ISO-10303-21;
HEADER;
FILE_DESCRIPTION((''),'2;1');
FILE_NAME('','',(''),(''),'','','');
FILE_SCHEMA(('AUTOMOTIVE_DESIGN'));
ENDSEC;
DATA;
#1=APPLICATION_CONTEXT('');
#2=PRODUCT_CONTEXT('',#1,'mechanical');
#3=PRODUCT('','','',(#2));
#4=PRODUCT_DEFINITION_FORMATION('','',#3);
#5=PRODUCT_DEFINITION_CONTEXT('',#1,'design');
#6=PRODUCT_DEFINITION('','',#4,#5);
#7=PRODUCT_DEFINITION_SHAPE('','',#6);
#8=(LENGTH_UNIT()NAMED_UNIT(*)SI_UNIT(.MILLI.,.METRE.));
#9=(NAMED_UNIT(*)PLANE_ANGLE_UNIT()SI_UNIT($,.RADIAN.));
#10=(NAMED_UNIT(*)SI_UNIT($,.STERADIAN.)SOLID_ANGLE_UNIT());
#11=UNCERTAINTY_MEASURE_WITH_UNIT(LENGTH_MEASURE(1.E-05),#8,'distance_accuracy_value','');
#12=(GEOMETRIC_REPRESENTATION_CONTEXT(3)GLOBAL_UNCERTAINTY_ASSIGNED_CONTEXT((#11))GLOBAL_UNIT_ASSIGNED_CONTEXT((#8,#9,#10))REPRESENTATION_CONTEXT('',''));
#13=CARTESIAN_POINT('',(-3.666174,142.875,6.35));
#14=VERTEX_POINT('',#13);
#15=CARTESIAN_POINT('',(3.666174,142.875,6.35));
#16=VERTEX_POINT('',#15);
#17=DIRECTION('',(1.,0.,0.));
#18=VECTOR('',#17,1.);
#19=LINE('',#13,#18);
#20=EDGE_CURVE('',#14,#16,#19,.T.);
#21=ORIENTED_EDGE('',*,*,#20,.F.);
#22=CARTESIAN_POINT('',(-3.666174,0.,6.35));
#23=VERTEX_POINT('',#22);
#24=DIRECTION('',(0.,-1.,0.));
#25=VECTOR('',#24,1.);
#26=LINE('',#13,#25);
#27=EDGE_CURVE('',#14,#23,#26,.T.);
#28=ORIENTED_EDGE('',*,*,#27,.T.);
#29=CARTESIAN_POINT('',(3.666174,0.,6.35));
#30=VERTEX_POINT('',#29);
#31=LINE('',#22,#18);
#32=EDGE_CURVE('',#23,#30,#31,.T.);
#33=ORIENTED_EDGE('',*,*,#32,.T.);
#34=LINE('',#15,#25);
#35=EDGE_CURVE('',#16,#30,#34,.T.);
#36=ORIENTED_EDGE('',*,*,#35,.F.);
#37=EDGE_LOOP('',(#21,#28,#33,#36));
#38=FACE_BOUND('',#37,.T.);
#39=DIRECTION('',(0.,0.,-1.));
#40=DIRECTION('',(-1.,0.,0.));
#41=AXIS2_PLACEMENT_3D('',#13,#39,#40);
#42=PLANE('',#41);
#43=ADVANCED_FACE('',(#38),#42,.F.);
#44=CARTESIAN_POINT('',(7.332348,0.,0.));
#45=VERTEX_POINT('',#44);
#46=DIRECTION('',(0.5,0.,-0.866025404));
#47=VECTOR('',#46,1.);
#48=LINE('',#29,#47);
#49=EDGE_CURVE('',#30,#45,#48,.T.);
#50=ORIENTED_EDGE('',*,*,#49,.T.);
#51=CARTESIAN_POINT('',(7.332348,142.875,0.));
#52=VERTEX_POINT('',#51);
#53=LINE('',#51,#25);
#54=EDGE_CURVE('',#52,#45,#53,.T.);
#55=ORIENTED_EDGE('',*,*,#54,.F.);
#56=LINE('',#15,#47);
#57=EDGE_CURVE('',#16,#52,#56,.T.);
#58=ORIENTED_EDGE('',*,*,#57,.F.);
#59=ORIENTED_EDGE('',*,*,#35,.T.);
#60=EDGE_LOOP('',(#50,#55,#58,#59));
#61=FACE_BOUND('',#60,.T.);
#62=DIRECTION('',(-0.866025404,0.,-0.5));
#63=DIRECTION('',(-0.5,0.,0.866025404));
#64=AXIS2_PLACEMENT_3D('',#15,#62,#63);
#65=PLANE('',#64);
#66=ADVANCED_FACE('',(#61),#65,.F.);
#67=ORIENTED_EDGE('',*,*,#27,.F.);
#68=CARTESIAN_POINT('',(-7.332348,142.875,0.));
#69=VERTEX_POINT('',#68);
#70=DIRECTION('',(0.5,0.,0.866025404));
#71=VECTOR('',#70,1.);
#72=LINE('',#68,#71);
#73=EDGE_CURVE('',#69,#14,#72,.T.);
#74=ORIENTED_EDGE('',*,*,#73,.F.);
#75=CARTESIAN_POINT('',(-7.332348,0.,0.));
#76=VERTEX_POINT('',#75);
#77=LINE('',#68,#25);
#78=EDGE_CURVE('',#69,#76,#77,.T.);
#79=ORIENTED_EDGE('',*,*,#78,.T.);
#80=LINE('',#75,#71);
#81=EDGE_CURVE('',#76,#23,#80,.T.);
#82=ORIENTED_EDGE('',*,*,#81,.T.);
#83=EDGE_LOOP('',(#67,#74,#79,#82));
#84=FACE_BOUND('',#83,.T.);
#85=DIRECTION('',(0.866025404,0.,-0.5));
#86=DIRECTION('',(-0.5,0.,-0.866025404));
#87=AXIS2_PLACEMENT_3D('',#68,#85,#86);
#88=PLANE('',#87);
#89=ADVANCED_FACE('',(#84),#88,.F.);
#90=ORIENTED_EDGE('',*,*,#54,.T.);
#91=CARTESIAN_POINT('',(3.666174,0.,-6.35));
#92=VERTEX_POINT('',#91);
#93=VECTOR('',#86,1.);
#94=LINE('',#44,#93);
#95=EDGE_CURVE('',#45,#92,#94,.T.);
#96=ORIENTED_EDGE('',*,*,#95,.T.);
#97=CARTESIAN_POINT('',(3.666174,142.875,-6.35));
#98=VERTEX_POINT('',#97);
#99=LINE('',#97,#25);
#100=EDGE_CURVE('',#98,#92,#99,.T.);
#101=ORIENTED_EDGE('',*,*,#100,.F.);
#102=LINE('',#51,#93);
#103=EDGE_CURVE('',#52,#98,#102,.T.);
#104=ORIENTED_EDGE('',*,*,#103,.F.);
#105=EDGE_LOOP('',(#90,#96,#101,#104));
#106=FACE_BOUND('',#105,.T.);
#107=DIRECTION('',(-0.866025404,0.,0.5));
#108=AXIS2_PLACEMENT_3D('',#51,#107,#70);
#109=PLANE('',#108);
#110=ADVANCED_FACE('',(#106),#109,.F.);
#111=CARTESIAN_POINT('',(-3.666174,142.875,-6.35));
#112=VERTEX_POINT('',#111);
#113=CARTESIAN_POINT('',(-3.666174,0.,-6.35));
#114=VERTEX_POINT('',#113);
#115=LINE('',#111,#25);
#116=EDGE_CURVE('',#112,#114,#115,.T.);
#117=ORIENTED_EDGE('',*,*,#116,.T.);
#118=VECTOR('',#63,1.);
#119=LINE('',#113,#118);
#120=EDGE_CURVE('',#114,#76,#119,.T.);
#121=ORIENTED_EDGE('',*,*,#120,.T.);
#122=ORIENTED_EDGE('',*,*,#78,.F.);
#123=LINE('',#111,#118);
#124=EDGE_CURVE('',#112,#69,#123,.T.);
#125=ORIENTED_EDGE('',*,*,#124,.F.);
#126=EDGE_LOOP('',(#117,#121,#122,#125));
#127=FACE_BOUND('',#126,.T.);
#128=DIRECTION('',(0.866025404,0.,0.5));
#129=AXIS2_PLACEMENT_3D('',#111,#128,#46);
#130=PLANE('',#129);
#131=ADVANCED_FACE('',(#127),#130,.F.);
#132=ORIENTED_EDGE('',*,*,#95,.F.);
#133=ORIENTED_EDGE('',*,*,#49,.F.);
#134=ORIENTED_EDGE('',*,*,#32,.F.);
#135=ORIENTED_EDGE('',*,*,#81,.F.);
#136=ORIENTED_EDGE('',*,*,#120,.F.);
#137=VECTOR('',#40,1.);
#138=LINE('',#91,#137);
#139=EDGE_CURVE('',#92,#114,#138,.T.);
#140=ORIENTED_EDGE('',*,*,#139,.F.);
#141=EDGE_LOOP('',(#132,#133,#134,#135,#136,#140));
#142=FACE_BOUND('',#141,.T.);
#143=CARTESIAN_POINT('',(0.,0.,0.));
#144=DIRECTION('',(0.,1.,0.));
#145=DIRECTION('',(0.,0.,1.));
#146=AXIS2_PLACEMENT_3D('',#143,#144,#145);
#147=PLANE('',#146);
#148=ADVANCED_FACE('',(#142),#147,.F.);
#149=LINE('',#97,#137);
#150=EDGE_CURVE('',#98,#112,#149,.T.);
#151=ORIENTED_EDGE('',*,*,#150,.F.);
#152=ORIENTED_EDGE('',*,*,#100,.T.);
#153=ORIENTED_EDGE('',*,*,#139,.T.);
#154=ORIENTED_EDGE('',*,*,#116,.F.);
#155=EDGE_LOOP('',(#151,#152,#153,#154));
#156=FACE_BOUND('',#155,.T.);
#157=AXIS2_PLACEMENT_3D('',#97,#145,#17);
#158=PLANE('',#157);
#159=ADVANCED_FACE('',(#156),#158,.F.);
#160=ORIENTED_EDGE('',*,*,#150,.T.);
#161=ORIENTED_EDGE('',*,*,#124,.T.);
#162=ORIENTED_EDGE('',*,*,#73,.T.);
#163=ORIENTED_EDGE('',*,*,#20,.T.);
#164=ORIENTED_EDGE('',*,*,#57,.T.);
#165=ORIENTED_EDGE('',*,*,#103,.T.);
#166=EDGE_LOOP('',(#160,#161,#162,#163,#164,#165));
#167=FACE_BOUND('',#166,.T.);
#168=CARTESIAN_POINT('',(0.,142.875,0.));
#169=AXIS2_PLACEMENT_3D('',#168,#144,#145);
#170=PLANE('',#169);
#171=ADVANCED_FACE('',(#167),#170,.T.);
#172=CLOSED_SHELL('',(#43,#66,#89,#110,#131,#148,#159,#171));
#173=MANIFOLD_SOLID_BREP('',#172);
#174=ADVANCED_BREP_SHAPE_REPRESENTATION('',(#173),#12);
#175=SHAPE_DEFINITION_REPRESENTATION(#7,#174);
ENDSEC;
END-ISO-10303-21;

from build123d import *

# Parameters (mm, degrees)
BOSS_EXTRUDE1_DEPTH = 142.875


with BuildPart() as part:
    # Sketch1 → Boss-Extrude1 (new body)
    with BuildSketch(Plane(origin=(0, 0, 0), x_dir=(1, 0, 0), z_dir=(0, 1, 0))):
        Polygon((7.332348419, 0), (3.666174209, 6.35), (-3.666174209, 6.35), (-7.332348419, 0), (-3.666174209, -6.35), (3.666174209, -6.35), align=None)
    extrude(amount=BOSS_EXTRUDE1_DEPTH)


solid = part.part
